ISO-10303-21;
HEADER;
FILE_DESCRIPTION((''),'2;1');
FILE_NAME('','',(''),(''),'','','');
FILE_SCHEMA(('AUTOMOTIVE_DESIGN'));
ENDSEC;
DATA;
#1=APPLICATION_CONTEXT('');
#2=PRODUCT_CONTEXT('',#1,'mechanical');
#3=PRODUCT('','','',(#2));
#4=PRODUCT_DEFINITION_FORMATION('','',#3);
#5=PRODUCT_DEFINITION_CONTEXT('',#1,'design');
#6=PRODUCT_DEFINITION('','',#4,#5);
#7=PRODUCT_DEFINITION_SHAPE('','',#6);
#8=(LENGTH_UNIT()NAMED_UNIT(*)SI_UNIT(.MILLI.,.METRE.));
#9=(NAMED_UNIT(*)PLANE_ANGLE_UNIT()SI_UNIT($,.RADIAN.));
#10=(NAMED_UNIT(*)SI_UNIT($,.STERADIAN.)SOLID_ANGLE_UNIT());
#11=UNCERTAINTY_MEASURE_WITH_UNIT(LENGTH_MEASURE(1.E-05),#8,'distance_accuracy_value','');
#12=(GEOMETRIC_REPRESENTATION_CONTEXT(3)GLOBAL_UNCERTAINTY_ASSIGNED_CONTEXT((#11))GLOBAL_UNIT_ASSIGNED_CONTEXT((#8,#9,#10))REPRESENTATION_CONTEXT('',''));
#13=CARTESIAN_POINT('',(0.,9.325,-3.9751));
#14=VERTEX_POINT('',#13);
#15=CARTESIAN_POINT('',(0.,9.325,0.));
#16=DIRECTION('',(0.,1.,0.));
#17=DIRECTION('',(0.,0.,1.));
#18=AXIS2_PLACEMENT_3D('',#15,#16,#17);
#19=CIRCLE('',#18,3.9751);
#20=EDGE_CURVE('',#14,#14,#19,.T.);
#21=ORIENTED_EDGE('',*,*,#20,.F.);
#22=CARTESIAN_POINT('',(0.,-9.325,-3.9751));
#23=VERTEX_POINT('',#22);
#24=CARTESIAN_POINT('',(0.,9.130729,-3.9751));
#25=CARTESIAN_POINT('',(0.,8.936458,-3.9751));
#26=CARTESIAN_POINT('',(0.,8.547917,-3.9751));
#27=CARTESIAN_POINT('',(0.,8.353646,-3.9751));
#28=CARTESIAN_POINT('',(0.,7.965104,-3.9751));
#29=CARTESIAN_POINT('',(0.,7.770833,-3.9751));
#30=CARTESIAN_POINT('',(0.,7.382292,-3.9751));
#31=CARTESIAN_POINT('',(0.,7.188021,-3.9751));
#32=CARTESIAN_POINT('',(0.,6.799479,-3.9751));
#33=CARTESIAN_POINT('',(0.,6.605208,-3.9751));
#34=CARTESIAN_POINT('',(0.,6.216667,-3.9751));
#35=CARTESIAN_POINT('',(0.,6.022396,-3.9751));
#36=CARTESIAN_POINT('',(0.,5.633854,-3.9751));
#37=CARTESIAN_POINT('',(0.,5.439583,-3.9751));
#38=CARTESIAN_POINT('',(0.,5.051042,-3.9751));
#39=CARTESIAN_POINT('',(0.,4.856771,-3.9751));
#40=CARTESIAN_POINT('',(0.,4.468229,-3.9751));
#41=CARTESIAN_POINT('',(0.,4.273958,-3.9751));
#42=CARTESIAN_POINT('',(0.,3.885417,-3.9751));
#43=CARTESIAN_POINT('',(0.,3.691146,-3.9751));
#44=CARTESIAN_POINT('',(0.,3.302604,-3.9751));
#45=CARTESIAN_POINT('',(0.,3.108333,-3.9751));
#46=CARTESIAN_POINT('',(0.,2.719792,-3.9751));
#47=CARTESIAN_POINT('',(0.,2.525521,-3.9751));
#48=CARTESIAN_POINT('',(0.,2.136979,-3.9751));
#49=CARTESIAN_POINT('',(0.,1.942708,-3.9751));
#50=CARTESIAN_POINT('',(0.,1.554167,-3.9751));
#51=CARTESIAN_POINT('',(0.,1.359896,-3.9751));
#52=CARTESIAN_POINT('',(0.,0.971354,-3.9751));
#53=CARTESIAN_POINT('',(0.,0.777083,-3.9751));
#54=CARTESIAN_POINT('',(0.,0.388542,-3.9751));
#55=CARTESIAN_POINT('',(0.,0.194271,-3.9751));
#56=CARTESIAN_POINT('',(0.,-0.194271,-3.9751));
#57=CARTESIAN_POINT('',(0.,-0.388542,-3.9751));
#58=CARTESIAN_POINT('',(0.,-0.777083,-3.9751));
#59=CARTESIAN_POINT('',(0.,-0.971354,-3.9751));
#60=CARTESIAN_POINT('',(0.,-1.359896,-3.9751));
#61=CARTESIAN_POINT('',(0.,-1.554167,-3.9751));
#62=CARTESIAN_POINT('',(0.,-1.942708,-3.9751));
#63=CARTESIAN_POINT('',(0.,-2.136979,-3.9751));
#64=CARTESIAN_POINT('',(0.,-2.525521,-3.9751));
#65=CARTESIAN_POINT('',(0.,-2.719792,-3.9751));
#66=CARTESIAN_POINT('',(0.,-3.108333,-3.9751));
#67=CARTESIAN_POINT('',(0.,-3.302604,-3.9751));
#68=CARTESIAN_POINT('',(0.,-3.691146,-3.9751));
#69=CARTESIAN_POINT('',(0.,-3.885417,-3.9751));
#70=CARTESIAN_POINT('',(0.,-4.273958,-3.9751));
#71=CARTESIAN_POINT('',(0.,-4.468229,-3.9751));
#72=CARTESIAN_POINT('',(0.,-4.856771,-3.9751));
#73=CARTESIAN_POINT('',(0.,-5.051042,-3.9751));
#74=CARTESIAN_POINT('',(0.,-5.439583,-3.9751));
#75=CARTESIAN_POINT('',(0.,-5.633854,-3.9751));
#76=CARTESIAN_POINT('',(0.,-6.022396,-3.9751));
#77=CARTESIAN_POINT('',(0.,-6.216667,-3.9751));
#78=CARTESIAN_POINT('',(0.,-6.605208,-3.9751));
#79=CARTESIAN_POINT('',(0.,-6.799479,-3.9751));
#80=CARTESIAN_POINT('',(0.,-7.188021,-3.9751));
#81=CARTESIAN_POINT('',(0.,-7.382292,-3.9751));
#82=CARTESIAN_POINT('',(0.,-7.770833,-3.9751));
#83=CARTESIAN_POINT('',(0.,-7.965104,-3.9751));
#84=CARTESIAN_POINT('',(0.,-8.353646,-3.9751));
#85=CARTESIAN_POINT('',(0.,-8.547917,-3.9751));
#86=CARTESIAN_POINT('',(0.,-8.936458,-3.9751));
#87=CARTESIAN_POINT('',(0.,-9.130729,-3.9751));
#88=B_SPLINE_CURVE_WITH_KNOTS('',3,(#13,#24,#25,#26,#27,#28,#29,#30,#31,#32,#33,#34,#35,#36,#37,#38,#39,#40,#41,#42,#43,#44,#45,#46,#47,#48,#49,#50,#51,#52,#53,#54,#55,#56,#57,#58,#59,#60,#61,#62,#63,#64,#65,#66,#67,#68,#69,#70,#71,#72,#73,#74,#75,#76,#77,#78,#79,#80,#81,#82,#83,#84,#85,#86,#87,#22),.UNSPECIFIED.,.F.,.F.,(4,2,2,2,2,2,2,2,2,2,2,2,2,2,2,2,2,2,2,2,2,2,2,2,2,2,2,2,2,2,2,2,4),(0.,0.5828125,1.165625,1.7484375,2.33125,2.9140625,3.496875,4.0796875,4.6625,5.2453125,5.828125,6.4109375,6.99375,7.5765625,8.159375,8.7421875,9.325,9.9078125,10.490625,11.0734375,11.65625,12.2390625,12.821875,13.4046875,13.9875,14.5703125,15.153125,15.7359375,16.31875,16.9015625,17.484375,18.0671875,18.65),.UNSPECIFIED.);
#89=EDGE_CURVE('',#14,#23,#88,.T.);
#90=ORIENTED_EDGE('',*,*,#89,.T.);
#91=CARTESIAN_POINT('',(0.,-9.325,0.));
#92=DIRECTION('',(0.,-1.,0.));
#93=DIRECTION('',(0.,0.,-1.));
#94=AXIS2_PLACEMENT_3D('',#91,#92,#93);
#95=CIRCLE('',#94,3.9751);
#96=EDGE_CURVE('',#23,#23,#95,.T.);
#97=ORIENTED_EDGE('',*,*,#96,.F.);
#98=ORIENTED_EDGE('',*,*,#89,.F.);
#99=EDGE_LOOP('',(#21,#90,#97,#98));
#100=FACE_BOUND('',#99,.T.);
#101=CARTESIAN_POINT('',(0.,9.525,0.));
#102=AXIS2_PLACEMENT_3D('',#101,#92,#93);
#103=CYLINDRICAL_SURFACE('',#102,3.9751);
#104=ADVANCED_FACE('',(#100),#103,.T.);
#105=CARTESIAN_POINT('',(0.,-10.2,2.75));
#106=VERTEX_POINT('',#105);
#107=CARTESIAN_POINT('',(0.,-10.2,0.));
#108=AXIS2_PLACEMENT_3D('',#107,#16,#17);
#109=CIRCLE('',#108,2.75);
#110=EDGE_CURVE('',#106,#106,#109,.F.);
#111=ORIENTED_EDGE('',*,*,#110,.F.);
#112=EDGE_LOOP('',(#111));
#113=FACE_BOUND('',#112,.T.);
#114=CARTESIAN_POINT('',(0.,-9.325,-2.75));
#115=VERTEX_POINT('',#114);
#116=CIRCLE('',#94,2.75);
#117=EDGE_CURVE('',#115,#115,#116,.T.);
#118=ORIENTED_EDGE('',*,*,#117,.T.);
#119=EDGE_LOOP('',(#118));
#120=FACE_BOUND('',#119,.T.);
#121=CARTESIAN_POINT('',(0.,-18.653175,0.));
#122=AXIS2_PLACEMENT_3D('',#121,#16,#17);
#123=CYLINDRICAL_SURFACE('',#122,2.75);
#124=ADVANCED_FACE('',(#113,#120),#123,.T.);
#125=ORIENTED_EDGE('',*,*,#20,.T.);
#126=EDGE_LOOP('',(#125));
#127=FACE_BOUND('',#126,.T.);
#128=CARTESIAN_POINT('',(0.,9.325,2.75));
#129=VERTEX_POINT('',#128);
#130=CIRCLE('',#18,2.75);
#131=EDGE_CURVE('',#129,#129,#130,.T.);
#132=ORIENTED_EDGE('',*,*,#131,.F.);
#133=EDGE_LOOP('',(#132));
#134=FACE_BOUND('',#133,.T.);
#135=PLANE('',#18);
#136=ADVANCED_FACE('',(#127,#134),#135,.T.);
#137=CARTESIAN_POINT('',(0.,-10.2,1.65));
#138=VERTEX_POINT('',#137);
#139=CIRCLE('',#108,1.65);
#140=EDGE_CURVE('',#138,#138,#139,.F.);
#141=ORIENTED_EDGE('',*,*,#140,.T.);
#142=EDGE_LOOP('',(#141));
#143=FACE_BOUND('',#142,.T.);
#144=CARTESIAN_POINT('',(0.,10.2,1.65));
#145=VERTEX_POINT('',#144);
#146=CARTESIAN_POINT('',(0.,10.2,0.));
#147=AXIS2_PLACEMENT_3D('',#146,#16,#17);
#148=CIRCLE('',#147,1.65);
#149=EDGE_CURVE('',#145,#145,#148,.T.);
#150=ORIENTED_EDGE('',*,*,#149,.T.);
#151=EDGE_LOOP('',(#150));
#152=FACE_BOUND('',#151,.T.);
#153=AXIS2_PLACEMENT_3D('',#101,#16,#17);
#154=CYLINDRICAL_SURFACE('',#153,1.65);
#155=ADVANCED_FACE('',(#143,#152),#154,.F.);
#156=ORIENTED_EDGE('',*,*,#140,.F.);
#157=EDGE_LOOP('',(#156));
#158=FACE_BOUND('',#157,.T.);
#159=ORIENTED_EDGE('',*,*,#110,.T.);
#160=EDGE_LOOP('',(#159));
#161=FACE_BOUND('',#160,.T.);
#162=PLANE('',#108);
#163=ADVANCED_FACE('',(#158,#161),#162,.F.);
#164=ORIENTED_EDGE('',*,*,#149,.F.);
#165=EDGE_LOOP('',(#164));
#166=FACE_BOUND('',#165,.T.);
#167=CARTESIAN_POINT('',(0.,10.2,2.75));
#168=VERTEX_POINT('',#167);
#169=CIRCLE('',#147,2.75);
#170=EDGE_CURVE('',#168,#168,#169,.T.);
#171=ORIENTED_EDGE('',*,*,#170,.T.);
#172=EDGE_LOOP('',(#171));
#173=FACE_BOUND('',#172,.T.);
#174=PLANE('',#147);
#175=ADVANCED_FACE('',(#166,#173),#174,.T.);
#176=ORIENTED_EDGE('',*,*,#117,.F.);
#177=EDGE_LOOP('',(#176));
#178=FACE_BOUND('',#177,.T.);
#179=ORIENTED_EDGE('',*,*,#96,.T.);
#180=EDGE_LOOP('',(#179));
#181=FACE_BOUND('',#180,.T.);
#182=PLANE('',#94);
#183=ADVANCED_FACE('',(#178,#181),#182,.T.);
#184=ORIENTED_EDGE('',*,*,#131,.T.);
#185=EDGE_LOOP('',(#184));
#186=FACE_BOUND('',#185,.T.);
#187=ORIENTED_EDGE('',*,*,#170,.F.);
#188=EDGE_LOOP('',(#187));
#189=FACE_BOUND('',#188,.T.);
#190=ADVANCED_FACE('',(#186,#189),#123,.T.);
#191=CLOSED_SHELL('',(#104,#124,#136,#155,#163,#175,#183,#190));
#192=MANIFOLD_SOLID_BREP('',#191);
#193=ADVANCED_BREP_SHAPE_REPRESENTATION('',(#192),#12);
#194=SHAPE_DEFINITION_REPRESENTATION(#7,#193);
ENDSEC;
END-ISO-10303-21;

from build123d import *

# Parameters (mm, degrees)
SKETCH2_R                = 3.9751
BOSS_EXTRUDE1_DEPTH      = 9.525
M4X0_7_TAPPED_HOLE1_D    = 3.3
SKETCH5_R                = 2.75
SKETCH5_R_2              = 1.65
BOSS_EXTRUDE2_DEPTH      = 0.675
BOSS_EXTRUDE2_DEPTH_BACK = 19.725
SKETCH6_R                = 3.9751
SKETCH6_R_2              = 2.75
CUT_EXTRUDE1_DEPTH       = 0.2
SKETCH7_R                = 3.9751
SKETCH7_R_2              = 2.75
CUT_EXTRUDE2_DEPTH       = 0.2


with BuildPart() as part:
    # Sketch2 → Boss-Extrude1 (new, symmetric)
    with BuildSketch(Plane(origin=(0, 0, 0), x_dir=(1, 0, 0), z_dir=(0, 1, 0))):
        with Locations(Location((0, 0, 0), (0, 0, 90))):
            Circle(SKETCH2_R)
    extrude(amount=BOSS_EXTRUDE1_DEPTH, both=True)

    # M4x0.7 Tapped Hole1 (through all)
    with Locations(Plane(origin=(0, 9.525, 0), x_dir=(1, 0, 0), z_dir=(0, 1, 0))):
        with Locations((0, 0)):
            Hole(M4X0_7_TAPPED_HOLE1_D / 2)

    # Sketch5 → Boss-Extrude2 (add, two sides)
    with BuildSketch(Plane(origin=(0, 9.525, 0), x_dir=(1, 0, 0), z_dir=(0, 1, 0))) as boss_extrude2_sk:
        with Locations(Location((0, 0, 0), (0, 0, 270))):
            Circle(SKETCH5_R)
        with Locations(Location((0, 0, 0), (0, 0, 270))):
            Circle(SKETCH5_R_2, mode=Mode.SUBTRACT)
    extrude(amount=BOSS_EXTRUDE2_DEPTH)
    extrude(boss_extrude2_sk.sketch, amount=-BOSS_EXTRUDE2_DEPTH_BACK)

    # Sketch6 → Cut-Extrude1 (cut)
    with BuildSketch(Plane(origin=(0, 9.525, 0), x_dir=(1, 0, 0), z_dir=(0, 1, 0))):
        with Locations(Location((0, 0, 0), (0, 0, 90))):
            Circle(SKETCH6_R)
        with Locations(Location((0, 0, 0), (0, 0, 270))):
            Circle(SKETCH6_R_2, mode=Mode.SUBTRACT)
    extrude(amount=-CUT_EXTRUDE1_DEPTH, mode=Mode.SUBTRACT)

    # Sketch7 → Cut-Extrude2 (cut)
    with BuildSketch(Plane.XZ.offset(9.525)):
        with Locations(Location((0, 0, 0), (0, 0, 270))):
            Circle(SKETCH7_R)
        with Locations(Location((0, 0, 0), (0, 0, 90))):
            Circle(SKETCH7_R_2, mode=Mode.SUBTRACT)
    extrude(amount=-CUT_EXTRUDE2_DEPTH, mode=Mode.SUBTRACT)


solid = part.part
